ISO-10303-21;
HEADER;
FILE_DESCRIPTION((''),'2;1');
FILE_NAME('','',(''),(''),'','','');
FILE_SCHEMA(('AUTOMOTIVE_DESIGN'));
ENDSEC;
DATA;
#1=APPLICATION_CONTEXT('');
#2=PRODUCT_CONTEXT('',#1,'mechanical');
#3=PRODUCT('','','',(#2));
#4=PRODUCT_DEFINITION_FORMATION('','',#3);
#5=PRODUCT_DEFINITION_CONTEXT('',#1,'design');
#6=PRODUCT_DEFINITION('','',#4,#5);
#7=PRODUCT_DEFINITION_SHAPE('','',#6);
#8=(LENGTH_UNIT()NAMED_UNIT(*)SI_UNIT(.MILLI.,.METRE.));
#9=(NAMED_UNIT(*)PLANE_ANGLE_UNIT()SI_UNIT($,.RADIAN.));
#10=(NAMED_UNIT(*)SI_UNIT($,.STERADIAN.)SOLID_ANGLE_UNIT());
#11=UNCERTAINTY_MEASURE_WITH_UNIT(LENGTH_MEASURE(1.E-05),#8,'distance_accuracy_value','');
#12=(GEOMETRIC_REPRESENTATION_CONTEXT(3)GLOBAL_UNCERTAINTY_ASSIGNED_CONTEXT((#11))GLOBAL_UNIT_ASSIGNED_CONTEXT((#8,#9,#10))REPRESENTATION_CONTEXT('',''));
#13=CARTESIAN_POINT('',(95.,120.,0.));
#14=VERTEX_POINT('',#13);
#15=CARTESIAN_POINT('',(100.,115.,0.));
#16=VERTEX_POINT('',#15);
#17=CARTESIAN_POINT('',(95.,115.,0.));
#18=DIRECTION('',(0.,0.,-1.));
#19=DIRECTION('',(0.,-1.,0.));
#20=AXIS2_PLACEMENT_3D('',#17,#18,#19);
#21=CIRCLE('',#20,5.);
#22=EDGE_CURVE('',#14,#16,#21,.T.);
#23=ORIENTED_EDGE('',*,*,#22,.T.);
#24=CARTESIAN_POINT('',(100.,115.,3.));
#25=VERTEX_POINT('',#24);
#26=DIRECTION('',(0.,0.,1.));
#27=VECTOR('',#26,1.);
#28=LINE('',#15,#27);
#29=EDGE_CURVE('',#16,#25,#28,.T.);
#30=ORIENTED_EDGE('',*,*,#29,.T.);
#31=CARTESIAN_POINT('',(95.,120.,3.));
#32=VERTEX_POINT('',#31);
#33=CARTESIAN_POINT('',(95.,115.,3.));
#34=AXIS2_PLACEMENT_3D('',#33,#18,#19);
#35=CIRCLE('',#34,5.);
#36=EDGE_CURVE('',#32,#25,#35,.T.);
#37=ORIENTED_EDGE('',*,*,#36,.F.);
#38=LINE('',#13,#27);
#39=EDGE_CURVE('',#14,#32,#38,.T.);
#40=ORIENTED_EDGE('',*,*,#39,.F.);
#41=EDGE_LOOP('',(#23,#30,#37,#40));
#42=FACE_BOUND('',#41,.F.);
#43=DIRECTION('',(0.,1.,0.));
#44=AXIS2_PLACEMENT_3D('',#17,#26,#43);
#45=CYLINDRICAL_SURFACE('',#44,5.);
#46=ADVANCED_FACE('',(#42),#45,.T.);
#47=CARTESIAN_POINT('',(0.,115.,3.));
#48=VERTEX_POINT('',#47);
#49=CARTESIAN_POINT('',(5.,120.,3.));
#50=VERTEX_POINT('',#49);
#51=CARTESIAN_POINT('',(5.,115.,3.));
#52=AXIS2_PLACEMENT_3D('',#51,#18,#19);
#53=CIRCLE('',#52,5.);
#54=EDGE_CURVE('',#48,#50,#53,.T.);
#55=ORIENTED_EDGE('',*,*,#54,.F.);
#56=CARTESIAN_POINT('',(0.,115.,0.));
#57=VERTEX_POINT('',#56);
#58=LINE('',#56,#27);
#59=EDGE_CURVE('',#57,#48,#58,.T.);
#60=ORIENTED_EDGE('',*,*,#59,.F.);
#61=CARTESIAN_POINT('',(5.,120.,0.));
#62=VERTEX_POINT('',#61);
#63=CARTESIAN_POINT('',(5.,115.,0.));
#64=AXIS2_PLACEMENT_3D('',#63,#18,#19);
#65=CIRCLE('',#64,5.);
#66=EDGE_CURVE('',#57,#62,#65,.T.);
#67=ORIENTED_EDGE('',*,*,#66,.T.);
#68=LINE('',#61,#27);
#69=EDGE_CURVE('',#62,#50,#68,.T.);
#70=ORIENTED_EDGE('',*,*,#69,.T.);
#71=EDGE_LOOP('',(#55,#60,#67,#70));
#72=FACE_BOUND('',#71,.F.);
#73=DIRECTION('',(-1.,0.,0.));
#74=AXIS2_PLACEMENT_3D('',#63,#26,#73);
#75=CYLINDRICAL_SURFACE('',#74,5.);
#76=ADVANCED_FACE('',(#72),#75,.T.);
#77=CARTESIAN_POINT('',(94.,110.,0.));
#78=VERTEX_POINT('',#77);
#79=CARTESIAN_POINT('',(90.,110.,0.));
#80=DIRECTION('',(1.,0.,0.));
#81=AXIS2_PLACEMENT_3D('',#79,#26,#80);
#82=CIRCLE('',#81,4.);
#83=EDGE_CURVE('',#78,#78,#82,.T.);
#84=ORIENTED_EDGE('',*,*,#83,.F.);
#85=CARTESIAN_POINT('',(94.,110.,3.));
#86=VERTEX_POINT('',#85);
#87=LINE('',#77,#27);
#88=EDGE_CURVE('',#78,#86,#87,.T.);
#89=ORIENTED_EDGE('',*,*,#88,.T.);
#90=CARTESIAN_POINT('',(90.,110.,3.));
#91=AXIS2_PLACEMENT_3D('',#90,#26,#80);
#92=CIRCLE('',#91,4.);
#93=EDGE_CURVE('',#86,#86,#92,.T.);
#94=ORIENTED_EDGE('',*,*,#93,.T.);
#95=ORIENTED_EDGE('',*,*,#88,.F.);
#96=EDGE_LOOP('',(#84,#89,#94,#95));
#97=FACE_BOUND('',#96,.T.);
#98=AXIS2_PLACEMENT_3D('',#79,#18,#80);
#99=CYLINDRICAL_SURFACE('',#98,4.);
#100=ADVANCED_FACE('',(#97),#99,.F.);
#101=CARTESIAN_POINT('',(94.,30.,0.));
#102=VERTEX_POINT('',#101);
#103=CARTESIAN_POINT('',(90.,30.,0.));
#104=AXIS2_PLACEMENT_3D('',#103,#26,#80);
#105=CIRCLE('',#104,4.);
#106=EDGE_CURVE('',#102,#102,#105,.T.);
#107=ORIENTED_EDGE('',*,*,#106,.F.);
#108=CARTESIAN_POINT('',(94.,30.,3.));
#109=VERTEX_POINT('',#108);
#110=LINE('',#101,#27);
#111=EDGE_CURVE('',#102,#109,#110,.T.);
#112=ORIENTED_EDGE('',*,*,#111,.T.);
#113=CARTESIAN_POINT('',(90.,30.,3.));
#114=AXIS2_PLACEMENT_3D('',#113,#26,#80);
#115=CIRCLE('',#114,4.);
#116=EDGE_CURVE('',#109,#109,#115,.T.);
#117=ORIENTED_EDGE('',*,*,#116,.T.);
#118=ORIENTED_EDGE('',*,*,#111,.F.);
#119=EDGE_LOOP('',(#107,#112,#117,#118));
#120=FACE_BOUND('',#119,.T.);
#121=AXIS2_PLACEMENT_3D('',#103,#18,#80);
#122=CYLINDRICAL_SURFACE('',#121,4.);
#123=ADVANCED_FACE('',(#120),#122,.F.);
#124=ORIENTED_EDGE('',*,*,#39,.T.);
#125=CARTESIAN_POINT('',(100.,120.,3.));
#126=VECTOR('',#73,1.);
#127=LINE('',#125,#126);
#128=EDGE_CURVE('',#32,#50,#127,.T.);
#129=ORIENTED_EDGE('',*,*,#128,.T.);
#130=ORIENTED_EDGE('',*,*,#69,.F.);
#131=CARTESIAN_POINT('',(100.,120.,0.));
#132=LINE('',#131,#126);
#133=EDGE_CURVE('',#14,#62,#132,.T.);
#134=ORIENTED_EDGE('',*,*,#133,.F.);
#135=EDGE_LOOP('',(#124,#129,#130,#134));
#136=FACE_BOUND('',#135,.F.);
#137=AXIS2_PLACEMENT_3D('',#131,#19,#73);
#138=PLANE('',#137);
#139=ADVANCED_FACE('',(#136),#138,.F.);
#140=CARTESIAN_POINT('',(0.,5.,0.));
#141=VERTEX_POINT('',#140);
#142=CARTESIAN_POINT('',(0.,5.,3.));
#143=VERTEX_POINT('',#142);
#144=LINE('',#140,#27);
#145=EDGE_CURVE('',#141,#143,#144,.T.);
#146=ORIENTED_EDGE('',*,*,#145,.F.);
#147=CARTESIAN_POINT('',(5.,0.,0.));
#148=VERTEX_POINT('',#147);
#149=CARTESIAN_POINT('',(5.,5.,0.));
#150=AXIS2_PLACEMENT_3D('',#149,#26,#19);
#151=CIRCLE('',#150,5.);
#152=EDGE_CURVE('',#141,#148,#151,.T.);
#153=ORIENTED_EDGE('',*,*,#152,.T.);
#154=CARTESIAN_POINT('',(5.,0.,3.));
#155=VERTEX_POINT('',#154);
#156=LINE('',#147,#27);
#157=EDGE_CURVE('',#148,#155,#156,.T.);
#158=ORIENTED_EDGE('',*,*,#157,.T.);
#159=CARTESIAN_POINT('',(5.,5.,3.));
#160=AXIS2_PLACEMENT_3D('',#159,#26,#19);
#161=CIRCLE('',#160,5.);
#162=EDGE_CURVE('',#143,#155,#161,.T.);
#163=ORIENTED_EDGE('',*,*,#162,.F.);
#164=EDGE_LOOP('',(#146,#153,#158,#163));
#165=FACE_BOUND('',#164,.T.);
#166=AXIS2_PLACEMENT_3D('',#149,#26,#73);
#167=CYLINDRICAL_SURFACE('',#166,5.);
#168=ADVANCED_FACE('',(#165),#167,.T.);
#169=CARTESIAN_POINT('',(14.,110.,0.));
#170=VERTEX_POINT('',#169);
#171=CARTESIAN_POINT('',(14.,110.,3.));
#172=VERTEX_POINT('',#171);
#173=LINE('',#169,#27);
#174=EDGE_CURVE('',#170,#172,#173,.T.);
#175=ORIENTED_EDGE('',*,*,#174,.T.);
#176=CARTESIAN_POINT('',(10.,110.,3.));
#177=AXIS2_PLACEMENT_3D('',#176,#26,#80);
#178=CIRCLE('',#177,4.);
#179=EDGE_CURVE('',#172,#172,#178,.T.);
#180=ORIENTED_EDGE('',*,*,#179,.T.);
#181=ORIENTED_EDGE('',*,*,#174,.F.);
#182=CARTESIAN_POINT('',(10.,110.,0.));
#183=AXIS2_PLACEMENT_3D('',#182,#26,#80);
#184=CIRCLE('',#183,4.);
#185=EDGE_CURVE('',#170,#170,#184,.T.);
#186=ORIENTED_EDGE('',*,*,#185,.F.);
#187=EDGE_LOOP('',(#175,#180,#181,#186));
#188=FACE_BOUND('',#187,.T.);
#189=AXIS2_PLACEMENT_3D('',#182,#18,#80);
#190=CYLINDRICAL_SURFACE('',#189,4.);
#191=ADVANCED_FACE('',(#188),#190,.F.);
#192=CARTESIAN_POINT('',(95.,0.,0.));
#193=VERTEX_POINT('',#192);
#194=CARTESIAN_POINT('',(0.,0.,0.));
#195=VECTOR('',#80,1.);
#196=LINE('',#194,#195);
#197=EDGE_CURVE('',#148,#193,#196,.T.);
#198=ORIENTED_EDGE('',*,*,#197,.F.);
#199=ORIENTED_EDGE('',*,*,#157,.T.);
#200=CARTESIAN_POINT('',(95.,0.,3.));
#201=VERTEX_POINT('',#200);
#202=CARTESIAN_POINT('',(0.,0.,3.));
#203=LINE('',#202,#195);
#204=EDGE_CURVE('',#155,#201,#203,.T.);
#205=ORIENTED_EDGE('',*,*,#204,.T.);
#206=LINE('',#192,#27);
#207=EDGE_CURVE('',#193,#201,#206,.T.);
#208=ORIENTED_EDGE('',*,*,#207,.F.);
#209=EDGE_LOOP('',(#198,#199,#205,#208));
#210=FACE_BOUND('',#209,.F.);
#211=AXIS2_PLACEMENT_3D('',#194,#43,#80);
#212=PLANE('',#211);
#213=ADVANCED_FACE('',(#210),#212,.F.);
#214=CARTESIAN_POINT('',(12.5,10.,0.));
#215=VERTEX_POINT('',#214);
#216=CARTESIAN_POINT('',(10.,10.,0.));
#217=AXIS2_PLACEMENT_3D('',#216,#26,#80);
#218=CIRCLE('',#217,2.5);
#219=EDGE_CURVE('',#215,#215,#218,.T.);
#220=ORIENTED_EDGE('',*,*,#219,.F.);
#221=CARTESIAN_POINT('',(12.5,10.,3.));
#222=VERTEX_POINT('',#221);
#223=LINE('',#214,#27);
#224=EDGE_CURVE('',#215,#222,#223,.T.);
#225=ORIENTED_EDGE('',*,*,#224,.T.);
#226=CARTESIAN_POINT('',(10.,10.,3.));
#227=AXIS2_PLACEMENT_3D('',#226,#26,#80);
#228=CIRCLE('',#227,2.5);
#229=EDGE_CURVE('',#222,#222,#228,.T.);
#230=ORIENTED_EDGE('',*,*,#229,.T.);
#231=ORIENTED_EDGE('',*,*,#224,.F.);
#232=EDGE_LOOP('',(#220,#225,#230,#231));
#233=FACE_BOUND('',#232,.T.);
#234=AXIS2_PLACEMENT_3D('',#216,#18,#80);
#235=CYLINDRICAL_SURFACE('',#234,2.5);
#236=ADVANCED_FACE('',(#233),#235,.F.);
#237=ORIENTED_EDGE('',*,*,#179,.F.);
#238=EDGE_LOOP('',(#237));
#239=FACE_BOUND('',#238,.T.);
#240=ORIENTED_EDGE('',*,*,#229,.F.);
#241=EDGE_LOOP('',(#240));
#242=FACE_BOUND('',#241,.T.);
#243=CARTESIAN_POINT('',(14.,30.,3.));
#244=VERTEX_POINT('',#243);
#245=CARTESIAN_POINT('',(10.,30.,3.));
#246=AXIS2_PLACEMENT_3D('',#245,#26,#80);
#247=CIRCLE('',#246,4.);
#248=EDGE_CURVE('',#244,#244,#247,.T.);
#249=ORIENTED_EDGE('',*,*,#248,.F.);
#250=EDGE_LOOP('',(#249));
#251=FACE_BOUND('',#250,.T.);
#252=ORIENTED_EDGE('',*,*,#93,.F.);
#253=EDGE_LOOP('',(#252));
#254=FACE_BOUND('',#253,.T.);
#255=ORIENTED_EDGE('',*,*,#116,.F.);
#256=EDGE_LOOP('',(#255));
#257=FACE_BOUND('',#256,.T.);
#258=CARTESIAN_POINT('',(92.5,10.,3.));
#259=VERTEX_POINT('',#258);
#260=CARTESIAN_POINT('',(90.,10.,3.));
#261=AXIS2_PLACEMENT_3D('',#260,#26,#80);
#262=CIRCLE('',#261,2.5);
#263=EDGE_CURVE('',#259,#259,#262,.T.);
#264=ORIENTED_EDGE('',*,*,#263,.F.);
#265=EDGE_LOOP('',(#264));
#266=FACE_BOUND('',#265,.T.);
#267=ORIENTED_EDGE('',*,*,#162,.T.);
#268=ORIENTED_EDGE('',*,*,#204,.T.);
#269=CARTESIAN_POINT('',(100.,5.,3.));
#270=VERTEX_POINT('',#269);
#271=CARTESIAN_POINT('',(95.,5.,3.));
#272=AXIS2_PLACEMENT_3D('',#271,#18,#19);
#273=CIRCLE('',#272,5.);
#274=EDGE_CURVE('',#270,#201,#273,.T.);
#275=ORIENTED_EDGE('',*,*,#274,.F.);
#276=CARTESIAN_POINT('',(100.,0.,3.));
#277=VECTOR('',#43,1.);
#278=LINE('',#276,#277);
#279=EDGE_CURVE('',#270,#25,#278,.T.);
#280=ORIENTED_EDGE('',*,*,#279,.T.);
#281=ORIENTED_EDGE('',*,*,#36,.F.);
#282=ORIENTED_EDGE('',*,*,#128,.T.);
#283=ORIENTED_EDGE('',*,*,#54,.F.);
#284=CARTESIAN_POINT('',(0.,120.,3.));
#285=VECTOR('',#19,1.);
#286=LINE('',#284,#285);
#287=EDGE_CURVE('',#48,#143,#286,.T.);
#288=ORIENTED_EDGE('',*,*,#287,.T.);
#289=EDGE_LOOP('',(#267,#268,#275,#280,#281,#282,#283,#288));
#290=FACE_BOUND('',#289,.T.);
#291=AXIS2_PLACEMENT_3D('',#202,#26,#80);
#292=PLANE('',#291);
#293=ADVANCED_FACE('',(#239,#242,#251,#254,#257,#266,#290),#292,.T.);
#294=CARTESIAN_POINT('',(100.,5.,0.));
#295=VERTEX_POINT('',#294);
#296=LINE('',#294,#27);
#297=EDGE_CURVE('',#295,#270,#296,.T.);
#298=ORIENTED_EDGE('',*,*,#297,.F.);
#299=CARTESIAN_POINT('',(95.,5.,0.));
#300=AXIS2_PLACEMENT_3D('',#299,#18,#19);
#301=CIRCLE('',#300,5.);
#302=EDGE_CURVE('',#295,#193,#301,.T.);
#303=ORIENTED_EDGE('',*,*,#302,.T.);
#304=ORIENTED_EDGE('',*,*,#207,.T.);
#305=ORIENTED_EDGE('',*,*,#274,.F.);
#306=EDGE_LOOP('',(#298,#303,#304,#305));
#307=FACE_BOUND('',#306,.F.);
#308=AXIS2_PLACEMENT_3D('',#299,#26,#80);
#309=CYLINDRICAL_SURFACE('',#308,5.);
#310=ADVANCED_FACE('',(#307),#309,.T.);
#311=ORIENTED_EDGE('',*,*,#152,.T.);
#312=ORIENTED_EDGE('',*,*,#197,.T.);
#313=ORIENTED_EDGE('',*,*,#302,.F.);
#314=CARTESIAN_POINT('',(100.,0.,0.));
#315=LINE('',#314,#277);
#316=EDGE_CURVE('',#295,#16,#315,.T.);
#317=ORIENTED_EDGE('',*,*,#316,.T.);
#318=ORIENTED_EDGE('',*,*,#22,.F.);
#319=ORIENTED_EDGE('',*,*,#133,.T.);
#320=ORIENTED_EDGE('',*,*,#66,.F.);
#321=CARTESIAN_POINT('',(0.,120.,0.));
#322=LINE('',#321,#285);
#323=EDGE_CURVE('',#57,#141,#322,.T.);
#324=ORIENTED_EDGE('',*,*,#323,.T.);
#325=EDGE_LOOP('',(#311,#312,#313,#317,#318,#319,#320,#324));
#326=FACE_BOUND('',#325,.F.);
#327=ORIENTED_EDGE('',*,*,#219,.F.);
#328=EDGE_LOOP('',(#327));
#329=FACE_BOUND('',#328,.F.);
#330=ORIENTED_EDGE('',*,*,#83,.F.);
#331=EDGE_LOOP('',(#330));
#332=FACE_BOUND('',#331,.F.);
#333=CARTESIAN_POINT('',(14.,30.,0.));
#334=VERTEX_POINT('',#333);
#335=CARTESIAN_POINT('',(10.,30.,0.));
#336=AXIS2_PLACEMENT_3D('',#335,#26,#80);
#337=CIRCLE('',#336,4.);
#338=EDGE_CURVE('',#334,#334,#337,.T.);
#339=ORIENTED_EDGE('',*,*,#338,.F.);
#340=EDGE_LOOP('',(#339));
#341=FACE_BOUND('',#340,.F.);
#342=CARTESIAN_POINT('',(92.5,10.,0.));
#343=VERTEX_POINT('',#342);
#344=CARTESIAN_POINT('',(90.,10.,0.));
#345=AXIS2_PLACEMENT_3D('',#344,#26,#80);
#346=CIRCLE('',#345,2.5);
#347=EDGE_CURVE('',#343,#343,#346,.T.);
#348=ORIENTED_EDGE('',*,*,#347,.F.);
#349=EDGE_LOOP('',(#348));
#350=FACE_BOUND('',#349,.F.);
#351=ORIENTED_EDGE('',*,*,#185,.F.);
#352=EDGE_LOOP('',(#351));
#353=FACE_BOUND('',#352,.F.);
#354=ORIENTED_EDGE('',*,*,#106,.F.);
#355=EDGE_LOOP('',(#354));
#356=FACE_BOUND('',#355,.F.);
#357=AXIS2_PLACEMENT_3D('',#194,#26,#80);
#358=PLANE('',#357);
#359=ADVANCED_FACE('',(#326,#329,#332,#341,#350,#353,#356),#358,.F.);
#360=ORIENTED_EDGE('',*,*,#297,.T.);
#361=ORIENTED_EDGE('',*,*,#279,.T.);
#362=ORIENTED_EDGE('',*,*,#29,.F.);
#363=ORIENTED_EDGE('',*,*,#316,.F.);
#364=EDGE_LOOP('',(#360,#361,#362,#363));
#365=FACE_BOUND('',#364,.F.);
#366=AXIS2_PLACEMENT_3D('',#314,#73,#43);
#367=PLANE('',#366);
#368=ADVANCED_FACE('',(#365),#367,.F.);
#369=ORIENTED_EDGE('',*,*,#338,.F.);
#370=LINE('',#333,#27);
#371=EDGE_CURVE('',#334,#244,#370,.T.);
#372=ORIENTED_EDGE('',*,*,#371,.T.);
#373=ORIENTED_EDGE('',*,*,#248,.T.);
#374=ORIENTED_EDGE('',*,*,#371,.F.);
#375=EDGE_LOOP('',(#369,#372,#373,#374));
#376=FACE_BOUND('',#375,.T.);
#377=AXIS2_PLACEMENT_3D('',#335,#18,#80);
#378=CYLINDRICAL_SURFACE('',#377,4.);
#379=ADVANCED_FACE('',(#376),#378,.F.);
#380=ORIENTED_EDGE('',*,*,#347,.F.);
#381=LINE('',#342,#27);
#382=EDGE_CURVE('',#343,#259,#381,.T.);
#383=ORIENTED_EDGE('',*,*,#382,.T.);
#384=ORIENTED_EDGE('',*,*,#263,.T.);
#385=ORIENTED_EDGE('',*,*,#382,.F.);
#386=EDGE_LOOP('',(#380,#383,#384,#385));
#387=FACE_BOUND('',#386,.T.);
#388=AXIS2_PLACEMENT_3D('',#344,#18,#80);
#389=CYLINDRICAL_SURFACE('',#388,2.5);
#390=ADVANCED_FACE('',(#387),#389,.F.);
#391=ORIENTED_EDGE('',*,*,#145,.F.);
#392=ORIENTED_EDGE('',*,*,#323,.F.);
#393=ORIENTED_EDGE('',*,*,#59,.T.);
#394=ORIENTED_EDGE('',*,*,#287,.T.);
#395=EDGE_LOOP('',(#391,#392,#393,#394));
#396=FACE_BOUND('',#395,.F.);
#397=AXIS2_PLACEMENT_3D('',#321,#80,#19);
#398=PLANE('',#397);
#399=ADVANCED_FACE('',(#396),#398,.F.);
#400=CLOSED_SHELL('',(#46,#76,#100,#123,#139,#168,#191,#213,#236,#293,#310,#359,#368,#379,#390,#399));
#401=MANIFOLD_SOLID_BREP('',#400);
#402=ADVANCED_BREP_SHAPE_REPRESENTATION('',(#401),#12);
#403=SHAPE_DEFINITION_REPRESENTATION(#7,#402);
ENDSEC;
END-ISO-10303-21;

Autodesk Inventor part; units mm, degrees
ref_plane "YZ Plane" through (0, 0, 0) normal (1, 0, 0) x (0, 1, 0)
ref_plane "XZ Plane" through (0, 0, 0) normal (0, 1, 0) x (-1, 0, 0)
ref_plane "XY Plane" through (0, 0, 0) normal (0, 0, 1) x (1, 0, 0)
sketch "スケッチ1" plane through (0, 0, 0) normal (0, 0, 1) x (1, 0, 0)
  line L0 (0, 0) -> (100, 0)
  line L1 (100, 0) -> (100, 120)
  line L2 (100, 120) -> (0, 120)
  line L3 (0, 120) -> (0, 0)
  line L4 (0, 10) -> (100, 10) construction
  circle A0 centre (10, 10) radius 2.5
  circle A1 centre (90, 10) radius 2.5
  circle A2 centre (10, 110) radius 4
  circle A3 centre (10, 30) radius 4
  circle A4 centre (90, 110) radius 4
  circle A5 centre (90, 30) radius 4
  line L5 (10, 110) -> (10, 30) construction
  line L6 (10, 30) -> (90, 30) construction
  line L7 (90, 30) -> (90, 110) construction
  line L8 (90, 110) -> (10, 110) construction
  dimension "d0" = 5
  dimension "d1" = 10
  dimension "d2" = 10
  dimension "d3" = 10
  dimension "d4" = 100
  dimension "d5" = 120
  dimension "d12" = 8
  dimension "d13" = 10
  dimension "d14" = 10
  dimension "d15" = 10
  dimension "d16" = 10
  dimension "d21" = 80
extrude "押し出し1" add sketch "スケッチ1" along normal blind 3
fillet "フィレット1" radius 5 4 edges at (100, 120, 1.5) (0, 120, 1.5) (100, 0, 1.5) (0, 0, 1.5)
properties part number "LRFマウント"
